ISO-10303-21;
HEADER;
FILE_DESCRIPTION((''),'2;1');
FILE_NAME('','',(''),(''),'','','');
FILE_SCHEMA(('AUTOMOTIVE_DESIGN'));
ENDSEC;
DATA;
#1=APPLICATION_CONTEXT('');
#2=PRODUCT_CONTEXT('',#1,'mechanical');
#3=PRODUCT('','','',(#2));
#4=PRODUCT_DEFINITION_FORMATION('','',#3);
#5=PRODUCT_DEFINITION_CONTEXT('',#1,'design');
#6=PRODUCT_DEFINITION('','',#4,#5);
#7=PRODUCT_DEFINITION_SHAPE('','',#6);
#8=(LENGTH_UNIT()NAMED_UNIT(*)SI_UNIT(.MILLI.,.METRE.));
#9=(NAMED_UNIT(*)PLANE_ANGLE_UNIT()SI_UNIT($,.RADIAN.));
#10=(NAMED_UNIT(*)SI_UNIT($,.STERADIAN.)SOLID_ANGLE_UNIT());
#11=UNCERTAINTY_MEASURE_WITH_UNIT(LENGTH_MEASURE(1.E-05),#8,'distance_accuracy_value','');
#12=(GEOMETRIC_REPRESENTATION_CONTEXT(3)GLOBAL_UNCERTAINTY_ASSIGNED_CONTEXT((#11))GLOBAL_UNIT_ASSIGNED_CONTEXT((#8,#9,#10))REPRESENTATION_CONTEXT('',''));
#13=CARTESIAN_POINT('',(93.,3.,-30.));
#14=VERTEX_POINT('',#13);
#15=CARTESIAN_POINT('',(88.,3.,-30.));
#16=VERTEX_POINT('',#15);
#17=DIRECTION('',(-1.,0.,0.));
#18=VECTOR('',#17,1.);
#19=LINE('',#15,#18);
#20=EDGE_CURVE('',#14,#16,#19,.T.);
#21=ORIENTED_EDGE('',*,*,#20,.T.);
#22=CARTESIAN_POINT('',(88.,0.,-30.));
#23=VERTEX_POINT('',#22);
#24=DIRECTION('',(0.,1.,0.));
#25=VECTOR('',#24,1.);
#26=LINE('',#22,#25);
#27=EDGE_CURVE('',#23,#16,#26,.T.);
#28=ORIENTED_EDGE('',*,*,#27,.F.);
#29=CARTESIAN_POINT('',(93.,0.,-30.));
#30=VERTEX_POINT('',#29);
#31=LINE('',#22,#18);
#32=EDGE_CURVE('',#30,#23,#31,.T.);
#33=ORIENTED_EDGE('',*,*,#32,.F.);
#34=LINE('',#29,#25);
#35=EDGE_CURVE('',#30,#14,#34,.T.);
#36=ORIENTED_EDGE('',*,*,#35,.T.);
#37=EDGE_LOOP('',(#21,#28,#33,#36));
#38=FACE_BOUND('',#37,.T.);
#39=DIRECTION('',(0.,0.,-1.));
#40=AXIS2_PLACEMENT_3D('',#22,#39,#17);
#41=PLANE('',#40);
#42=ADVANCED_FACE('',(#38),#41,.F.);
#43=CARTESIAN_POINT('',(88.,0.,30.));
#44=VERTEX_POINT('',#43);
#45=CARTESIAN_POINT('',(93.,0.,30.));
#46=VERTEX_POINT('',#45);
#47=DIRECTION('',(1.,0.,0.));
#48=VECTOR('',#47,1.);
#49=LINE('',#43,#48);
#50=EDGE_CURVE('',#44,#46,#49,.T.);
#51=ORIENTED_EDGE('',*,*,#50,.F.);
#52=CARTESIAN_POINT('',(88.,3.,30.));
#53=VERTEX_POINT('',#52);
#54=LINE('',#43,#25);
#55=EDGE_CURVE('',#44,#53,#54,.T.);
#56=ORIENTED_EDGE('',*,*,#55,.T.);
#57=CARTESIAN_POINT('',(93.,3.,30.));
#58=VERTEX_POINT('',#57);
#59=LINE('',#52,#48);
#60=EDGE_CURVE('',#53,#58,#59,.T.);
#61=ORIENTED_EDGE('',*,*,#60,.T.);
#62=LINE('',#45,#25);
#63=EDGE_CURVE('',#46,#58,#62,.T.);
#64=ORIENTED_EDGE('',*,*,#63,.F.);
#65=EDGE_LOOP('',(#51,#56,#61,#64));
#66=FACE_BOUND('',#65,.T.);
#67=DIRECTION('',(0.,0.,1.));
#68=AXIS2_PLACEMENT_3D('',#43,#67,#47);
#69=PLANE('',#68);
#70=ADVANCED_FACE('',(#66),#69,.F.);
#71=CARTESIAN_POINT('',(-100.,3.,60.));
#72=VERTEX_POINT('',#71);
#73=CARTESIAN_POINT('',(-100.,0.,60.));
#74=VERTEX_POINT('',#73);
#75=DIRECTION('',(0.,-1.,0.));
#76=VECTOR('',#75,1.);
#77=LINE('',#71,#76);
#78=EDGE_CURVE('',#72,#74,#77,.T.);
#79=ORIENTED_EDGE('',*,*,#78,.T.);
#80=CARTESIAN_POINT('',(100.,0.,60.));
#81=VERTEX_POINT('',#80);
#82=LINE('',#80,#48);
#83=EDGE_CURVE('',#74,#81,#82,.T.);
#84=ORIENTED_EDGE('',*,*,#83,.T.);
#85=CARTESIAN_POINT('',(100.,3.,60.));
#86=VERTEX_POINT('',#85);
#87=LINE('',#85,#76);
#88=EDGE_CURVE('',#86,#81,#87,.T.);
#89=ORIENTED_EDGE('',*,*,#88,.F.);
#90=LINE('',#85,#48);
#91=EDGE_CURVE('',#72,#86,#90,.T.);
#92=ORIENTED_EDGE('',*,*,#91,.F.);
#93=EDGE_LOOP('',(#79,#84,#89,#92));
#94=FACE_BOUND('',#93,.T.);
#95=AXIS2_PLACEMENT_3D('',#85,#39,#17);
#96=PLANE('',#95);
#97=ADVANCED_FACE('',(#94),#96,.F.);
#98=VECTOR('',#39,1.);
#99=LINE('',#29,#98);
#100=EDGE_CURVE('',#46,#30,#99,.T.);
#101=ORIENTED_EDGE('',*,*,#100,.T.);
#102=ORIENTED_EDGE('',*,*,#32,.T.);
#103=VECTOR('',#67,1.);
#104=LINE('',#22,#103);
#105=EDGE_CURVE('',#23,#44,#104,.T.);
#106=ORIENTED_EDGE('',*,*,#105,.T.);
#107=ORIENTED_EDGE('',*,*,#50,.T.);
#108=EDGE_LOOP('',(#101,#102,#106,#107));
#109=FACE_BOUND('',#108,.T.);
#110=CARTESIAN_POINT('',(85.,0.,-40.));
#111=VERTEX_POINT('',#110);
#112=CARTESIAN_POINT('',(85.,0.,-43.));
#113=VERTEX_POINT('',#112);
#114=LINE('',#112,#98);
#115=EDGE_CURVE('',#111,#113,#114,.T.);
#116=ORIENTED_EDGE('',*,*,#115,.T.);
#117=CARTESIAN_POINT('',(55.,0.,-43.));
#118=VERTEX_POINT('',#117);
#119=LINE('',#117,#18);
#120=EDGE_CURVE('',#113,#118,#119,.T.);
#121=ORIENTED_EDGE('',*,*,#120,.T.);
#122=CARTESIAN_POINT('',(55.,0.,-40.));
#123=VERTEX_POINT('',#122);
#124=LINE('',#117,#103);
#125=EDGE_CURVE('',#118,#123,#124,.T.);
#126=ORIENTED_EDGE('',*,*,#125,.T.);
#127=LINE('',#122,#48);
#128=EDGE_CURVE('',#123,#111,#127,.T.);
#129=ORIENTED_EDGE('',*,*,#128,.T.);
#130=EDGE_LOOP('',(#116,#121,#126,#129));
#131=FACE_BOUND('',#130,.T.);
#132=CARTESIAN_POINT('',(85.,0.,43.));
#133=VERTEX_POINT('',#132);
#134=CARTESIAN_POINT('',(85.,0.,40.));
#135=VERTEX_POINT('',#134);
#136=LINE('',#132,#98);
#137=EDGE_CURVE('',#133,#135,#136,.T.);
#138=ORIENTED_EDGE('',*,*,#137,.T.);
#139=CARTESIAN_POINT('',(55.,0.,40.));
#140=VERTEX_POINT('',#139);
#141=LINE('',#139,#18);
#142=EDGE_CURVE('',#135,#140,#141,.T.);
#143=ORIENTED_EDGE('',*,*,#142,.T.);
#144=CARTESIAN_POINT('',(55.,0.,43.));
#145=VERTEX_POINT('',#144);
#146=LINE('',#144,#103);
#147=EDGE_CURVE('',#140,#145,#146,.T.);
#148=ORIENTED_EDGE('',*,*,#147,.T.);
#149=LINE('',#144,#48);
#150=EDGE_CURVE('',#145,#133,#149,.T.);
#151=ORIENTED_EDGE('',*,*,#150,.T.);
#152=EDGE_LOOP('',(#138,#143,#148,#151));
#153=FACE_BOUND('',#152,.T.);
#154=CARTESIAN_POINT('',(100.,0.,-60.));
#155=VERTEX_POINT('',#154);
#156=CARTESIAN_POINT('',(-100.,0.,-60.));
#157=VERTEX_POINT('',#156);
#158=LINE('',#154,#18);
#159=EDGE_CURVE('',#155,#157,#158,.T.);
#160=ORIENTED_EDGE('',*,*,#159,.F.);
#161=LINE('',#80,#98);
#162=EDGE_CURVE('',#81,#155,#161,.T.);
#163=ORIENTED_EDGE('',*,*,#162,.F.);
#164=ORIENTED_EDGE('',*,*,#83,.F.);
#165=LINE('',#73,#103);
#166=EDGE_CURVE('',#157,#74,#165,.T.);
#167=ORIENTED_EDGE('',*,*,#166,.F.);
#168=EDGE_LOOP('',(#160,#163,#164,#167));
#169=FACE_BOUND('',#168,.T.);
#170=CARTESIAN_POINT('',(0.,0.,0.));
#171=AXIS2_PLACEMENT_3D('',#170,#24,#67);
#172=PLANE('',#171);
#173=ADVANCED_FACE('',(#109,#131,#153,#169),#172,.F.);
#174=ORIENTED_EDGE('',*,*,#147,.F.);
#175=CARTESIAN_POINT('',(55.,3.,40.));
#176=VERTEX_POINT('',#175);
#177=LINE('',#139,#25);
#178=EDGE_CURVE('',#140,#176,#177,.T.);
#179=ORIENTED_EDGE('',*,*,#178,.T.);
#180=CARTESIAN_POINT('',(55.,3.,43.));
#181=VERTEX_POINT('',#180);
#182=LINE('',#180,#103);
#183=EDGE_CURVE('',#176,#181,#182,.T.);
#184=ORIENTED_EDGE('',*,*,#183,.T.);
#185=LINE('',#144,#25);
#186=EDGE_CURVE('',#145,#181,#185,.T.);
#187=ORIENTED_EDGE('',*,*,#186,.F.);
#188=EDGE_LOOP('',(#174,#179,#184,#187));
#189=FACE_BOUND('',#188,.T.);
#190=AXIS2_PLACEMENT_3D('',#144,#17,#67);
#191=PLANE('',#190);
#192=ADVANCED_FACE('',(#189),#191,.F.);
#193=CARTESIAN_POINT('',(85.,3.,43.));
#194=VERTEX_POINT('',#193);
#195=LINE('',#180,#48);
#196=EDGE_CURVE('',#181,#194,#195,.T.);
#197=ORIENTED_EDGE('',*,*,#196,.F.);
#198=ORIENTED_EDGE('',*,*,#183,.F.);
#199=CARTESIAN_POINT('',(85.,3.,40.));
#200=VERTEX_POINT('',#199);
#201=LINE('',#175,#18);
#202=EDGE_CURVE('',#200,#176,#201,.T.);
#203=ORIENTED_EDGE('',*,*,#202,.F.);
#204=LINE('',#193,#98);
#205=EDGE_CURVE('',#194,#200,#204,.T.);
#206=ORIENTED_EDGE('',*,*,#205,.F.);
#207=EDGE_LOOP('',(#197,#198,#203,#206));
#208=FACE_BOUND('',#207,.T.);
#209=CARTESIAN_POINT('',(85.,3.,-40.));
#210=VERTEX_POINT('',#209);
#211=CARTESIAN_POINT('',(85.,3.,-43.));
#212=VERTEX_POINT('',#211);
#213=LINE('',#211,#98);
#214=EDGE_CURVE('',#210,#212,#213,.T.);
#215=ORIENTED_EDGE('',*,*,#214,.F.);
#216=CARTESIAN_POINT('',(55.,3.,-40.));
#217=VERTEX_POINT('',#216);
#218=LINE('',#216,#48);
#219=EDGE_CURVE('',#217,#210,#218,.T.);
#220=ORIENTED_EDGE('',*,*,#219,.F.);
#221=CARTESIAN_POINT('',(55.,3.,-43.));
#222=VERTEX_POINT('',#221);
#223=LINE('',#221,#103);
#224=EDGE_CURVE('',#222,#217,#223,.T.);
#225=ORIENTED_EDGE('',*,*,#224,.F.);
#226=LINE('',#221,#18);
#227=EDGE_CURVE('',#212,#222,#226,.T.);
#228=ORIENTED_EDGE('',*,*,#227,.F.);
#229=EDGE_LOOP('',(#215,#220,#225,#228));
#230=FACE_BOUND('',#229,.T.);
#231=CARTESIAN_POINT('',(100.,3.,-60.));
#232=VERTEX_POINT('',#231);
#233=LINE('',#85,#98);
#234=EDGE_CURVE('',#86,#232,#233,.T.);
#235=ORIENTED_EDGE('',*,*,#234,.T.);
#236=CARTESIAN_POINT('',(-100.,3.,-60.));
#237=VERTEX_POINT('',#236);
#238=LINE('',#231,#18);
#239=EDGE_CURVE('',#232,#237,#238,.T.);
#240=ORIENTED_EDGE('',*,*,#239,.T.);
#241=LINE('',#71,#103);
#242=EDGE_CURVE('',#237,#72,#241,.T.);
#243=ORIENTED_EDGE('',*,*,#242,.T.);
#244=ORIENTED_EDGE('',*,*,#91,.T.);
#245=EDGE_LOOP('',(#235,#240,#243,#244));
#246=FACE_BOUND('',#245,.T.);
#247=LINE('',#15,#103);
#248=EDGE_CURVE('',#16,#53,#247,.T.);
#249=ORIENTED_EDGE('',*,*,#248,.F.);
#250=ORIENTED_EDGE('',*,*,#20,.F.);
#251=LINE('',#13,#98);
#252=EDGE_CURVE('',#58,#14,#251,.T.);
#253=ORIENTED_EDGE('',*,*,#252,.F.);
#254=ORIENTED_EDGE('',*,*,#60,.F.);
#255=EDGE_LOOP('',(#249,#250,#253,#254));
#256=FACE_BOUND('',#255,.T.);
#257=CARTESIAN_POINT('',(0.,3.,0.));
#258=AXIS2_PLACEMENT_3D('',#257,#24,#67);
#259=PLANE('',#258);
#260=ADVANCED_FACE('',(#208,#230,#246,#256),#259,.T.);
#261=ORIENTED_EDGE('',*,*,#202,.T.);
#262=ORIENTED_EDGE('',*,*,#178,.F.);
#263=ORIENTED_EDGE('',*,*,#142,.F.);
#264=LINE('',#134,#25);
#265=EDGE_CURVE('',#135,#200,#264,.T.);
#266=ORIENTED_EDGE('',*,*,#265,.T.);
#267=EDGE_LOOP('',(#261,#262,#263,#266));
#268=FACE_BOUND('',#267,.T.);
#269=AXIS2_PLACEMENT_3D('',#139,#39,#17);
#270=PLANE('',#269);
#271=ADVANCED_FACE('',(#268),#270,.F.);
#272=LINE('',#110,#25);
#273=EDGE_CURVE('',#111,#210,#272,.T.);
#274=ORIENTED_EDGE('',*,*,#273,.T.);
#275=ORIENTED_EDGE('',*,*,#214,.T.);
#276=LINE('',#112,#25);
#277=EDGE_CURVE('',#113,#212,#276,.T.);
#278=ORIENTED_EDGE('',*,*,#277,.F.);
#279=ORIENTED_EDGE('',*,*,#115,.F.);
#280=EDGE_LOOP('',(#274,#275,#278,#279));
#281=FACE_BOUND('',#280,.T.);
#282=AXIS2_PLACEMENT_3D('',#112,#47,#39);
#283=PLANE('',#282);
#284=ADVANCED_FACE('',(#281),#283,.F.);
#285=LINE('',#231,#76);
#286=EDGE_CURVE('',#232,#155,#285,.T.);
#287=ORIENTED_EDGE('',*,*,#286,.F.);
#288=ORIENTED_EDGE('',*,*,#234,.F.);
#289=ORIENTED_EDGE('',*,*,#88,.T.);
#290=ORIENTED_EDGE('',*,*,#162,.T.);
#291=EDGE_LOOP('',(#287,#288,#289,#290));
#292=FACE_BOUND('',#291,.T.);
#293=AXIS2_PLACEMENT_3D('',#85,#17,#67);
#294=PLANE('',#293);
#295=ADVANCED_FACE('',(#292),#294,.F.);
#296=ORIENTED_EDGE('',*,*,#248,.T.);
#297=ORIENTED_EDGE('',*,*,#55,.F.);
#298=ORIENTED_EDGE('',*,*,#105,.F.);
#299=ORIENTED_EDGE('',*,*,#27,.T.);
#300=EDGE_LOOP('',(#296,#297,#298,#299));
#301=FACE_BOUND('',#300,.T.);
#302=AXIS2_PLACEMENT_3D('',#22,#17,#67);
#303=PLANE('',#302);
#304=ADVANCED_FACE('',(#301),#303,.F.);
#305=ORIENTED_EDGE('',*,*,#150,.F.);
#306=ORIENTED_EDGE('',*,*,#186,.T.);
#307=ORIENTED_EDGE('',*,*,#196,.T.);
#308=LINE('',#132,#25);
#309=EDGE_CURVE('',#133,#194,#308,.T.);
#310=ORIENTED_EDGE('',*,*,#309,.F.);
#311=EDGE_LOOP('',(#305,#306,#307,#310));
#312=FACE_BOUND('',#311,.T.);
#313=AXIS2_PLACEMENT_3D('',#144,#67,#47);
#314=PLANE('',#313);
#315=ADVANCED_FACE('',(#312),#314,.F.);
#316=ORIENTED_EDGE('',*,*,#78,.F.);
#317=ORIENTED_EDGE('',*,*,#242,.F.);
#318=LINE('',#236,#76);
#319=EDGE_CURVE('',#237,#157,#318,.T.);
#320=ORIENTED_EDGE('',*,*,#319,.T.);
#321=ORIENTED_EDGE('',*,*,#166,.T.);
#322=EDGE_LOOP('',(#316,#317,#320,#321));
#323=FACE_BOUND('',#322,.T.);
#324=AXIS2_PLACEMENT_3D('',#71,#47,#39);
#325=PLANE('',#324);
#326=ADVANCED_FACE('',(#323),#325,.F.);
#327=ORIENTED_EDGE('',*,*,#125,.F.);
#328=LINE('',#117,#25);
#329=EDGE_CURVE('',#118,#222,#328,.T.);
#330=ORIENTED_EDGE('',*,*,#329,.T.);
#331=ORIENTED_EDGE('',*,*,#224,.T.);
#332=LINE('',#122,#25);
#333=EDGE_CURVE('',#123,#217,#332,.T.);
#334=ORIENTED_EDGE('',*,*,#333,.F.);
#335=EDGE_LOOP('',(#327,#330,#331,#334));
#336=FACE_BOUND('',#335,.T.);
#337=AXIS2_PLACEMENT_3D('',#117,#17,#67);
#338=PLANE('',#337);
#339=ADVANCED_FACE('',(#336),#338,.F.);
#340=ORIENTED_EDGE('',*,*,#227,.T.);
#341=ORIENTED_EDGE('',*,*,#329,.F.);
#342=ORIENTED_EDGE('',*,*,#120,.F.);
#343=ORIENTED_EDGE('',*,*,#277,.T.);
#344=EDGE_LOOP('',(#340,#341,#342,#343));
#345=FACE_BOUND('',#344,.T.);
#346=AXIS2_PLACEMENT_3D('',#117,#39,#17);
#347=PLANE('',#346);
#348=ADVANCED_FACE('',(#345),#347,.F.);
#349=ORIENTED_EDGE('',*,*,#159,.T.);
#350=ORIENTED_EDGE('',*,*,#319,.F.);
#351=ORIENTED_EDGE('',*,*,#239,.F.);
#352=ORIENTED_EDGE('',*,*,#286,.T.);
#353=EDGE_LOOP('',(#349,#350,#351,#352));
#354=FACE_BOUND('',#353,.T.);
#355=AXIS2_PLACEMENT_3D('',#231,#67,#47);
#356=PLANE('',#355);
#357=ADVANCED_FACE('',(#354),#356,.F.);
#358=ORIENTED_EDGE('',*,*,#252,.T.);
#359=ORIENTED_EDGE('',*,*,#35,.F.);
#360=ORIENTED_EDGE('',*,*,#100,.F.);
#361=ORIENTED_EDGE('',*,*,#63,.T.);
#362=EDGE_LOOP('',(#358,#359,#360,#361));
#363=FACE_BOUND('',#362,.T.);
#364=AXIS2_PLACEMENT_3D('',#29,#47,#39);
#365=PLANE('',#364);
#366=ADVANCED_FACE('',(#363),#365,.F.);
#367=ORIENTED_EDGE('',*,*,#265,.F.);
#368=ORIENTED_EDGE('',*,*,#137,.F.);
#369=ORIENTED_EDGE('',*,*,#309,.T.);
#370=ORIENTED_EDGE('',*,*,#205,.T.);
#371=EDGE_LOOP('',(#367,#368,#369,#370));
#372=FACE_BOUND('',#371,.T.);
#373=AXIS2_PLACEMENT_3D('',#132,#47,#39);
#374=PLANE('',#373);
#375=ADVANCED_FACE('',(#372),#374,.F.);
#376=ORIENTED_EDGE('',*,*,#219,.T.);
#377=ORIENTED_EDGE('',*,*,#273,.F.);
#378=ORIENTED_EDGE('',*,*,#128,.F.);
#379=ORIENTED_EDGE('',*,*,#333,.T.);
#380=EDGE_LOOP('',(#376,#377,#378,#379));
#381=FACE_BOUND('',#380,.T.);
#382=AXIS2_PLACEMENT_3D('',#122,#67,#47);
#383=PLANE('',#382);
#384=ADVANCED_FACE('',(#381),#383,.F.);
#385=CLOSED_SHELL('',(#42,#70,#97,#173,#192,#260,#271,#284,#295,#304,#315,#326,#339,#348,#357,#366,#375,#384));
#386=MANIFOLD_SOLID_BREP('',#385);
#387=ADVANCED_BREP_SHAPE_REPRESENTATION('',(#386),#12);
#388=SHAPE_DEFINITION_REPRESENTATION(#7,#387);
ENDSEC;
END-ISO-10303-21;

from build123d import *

# Parameters (mm, degrees)
SKETCH1_W           = 200
SKETCH1_H           = 120
BOSS_EXTRUDE1_DEPTH = 3
SKETCH2_W           = 5
SKETCH2_H           = 60
CUT_EXTRUDE1_DEPTH  = 117.657618697
SKETCH3_W           = 30
SKETCH3_H           = 3
CUT_EXTRUDE2_DEPTH  = 117.657618697


with BuildPart() as part:
    # Sketch1 → Boss-Extrude1 (new body)
    with BuildSketch(Plane(origin=(0, 0, 0), x_dir=(1, 0, 0), z_dir=(0, 1, 0))):
        Rectangle(SKETCH1_W, SKETCH1_H)
    extrude(amount=BOSS_EXTRUDE1_DEPTH)

    # Sketch2 → Cut-Extrude1 (cut, through all)
    with BuildSketch(Plane(origin=(0, 3, 0), x_dir=(1, 0, 0), z_dir=(0, 1, 0))):
        with Locations((90.5, 0)):
            Rectangle(SKETCH2_W, SKETCH2_H)
    extrude(amount=-CUT_EXTRUDE1_DEPTH, mode=Mode.SUBTRACT)

    # Sketch3 → Cut-Extrude2 (cut, through all)
    with BuildSketch(Plane(origin=(0, 3, 0), x_dir=(1, 0, 0), z_dir=(0, 1, 0))):
        with Locations((70, 41.5)):
            Rectangle(SKETCH3_W, SKETCH3_H)
        with Locations((70, -41.5)):
            Rectangle(SKETCH3_W, SKETCH3_H)
    extrude(amount=-CUT_EXTRUDE2_DEPTH, mode=Mode.SUBTRACT)


solid = part.part
